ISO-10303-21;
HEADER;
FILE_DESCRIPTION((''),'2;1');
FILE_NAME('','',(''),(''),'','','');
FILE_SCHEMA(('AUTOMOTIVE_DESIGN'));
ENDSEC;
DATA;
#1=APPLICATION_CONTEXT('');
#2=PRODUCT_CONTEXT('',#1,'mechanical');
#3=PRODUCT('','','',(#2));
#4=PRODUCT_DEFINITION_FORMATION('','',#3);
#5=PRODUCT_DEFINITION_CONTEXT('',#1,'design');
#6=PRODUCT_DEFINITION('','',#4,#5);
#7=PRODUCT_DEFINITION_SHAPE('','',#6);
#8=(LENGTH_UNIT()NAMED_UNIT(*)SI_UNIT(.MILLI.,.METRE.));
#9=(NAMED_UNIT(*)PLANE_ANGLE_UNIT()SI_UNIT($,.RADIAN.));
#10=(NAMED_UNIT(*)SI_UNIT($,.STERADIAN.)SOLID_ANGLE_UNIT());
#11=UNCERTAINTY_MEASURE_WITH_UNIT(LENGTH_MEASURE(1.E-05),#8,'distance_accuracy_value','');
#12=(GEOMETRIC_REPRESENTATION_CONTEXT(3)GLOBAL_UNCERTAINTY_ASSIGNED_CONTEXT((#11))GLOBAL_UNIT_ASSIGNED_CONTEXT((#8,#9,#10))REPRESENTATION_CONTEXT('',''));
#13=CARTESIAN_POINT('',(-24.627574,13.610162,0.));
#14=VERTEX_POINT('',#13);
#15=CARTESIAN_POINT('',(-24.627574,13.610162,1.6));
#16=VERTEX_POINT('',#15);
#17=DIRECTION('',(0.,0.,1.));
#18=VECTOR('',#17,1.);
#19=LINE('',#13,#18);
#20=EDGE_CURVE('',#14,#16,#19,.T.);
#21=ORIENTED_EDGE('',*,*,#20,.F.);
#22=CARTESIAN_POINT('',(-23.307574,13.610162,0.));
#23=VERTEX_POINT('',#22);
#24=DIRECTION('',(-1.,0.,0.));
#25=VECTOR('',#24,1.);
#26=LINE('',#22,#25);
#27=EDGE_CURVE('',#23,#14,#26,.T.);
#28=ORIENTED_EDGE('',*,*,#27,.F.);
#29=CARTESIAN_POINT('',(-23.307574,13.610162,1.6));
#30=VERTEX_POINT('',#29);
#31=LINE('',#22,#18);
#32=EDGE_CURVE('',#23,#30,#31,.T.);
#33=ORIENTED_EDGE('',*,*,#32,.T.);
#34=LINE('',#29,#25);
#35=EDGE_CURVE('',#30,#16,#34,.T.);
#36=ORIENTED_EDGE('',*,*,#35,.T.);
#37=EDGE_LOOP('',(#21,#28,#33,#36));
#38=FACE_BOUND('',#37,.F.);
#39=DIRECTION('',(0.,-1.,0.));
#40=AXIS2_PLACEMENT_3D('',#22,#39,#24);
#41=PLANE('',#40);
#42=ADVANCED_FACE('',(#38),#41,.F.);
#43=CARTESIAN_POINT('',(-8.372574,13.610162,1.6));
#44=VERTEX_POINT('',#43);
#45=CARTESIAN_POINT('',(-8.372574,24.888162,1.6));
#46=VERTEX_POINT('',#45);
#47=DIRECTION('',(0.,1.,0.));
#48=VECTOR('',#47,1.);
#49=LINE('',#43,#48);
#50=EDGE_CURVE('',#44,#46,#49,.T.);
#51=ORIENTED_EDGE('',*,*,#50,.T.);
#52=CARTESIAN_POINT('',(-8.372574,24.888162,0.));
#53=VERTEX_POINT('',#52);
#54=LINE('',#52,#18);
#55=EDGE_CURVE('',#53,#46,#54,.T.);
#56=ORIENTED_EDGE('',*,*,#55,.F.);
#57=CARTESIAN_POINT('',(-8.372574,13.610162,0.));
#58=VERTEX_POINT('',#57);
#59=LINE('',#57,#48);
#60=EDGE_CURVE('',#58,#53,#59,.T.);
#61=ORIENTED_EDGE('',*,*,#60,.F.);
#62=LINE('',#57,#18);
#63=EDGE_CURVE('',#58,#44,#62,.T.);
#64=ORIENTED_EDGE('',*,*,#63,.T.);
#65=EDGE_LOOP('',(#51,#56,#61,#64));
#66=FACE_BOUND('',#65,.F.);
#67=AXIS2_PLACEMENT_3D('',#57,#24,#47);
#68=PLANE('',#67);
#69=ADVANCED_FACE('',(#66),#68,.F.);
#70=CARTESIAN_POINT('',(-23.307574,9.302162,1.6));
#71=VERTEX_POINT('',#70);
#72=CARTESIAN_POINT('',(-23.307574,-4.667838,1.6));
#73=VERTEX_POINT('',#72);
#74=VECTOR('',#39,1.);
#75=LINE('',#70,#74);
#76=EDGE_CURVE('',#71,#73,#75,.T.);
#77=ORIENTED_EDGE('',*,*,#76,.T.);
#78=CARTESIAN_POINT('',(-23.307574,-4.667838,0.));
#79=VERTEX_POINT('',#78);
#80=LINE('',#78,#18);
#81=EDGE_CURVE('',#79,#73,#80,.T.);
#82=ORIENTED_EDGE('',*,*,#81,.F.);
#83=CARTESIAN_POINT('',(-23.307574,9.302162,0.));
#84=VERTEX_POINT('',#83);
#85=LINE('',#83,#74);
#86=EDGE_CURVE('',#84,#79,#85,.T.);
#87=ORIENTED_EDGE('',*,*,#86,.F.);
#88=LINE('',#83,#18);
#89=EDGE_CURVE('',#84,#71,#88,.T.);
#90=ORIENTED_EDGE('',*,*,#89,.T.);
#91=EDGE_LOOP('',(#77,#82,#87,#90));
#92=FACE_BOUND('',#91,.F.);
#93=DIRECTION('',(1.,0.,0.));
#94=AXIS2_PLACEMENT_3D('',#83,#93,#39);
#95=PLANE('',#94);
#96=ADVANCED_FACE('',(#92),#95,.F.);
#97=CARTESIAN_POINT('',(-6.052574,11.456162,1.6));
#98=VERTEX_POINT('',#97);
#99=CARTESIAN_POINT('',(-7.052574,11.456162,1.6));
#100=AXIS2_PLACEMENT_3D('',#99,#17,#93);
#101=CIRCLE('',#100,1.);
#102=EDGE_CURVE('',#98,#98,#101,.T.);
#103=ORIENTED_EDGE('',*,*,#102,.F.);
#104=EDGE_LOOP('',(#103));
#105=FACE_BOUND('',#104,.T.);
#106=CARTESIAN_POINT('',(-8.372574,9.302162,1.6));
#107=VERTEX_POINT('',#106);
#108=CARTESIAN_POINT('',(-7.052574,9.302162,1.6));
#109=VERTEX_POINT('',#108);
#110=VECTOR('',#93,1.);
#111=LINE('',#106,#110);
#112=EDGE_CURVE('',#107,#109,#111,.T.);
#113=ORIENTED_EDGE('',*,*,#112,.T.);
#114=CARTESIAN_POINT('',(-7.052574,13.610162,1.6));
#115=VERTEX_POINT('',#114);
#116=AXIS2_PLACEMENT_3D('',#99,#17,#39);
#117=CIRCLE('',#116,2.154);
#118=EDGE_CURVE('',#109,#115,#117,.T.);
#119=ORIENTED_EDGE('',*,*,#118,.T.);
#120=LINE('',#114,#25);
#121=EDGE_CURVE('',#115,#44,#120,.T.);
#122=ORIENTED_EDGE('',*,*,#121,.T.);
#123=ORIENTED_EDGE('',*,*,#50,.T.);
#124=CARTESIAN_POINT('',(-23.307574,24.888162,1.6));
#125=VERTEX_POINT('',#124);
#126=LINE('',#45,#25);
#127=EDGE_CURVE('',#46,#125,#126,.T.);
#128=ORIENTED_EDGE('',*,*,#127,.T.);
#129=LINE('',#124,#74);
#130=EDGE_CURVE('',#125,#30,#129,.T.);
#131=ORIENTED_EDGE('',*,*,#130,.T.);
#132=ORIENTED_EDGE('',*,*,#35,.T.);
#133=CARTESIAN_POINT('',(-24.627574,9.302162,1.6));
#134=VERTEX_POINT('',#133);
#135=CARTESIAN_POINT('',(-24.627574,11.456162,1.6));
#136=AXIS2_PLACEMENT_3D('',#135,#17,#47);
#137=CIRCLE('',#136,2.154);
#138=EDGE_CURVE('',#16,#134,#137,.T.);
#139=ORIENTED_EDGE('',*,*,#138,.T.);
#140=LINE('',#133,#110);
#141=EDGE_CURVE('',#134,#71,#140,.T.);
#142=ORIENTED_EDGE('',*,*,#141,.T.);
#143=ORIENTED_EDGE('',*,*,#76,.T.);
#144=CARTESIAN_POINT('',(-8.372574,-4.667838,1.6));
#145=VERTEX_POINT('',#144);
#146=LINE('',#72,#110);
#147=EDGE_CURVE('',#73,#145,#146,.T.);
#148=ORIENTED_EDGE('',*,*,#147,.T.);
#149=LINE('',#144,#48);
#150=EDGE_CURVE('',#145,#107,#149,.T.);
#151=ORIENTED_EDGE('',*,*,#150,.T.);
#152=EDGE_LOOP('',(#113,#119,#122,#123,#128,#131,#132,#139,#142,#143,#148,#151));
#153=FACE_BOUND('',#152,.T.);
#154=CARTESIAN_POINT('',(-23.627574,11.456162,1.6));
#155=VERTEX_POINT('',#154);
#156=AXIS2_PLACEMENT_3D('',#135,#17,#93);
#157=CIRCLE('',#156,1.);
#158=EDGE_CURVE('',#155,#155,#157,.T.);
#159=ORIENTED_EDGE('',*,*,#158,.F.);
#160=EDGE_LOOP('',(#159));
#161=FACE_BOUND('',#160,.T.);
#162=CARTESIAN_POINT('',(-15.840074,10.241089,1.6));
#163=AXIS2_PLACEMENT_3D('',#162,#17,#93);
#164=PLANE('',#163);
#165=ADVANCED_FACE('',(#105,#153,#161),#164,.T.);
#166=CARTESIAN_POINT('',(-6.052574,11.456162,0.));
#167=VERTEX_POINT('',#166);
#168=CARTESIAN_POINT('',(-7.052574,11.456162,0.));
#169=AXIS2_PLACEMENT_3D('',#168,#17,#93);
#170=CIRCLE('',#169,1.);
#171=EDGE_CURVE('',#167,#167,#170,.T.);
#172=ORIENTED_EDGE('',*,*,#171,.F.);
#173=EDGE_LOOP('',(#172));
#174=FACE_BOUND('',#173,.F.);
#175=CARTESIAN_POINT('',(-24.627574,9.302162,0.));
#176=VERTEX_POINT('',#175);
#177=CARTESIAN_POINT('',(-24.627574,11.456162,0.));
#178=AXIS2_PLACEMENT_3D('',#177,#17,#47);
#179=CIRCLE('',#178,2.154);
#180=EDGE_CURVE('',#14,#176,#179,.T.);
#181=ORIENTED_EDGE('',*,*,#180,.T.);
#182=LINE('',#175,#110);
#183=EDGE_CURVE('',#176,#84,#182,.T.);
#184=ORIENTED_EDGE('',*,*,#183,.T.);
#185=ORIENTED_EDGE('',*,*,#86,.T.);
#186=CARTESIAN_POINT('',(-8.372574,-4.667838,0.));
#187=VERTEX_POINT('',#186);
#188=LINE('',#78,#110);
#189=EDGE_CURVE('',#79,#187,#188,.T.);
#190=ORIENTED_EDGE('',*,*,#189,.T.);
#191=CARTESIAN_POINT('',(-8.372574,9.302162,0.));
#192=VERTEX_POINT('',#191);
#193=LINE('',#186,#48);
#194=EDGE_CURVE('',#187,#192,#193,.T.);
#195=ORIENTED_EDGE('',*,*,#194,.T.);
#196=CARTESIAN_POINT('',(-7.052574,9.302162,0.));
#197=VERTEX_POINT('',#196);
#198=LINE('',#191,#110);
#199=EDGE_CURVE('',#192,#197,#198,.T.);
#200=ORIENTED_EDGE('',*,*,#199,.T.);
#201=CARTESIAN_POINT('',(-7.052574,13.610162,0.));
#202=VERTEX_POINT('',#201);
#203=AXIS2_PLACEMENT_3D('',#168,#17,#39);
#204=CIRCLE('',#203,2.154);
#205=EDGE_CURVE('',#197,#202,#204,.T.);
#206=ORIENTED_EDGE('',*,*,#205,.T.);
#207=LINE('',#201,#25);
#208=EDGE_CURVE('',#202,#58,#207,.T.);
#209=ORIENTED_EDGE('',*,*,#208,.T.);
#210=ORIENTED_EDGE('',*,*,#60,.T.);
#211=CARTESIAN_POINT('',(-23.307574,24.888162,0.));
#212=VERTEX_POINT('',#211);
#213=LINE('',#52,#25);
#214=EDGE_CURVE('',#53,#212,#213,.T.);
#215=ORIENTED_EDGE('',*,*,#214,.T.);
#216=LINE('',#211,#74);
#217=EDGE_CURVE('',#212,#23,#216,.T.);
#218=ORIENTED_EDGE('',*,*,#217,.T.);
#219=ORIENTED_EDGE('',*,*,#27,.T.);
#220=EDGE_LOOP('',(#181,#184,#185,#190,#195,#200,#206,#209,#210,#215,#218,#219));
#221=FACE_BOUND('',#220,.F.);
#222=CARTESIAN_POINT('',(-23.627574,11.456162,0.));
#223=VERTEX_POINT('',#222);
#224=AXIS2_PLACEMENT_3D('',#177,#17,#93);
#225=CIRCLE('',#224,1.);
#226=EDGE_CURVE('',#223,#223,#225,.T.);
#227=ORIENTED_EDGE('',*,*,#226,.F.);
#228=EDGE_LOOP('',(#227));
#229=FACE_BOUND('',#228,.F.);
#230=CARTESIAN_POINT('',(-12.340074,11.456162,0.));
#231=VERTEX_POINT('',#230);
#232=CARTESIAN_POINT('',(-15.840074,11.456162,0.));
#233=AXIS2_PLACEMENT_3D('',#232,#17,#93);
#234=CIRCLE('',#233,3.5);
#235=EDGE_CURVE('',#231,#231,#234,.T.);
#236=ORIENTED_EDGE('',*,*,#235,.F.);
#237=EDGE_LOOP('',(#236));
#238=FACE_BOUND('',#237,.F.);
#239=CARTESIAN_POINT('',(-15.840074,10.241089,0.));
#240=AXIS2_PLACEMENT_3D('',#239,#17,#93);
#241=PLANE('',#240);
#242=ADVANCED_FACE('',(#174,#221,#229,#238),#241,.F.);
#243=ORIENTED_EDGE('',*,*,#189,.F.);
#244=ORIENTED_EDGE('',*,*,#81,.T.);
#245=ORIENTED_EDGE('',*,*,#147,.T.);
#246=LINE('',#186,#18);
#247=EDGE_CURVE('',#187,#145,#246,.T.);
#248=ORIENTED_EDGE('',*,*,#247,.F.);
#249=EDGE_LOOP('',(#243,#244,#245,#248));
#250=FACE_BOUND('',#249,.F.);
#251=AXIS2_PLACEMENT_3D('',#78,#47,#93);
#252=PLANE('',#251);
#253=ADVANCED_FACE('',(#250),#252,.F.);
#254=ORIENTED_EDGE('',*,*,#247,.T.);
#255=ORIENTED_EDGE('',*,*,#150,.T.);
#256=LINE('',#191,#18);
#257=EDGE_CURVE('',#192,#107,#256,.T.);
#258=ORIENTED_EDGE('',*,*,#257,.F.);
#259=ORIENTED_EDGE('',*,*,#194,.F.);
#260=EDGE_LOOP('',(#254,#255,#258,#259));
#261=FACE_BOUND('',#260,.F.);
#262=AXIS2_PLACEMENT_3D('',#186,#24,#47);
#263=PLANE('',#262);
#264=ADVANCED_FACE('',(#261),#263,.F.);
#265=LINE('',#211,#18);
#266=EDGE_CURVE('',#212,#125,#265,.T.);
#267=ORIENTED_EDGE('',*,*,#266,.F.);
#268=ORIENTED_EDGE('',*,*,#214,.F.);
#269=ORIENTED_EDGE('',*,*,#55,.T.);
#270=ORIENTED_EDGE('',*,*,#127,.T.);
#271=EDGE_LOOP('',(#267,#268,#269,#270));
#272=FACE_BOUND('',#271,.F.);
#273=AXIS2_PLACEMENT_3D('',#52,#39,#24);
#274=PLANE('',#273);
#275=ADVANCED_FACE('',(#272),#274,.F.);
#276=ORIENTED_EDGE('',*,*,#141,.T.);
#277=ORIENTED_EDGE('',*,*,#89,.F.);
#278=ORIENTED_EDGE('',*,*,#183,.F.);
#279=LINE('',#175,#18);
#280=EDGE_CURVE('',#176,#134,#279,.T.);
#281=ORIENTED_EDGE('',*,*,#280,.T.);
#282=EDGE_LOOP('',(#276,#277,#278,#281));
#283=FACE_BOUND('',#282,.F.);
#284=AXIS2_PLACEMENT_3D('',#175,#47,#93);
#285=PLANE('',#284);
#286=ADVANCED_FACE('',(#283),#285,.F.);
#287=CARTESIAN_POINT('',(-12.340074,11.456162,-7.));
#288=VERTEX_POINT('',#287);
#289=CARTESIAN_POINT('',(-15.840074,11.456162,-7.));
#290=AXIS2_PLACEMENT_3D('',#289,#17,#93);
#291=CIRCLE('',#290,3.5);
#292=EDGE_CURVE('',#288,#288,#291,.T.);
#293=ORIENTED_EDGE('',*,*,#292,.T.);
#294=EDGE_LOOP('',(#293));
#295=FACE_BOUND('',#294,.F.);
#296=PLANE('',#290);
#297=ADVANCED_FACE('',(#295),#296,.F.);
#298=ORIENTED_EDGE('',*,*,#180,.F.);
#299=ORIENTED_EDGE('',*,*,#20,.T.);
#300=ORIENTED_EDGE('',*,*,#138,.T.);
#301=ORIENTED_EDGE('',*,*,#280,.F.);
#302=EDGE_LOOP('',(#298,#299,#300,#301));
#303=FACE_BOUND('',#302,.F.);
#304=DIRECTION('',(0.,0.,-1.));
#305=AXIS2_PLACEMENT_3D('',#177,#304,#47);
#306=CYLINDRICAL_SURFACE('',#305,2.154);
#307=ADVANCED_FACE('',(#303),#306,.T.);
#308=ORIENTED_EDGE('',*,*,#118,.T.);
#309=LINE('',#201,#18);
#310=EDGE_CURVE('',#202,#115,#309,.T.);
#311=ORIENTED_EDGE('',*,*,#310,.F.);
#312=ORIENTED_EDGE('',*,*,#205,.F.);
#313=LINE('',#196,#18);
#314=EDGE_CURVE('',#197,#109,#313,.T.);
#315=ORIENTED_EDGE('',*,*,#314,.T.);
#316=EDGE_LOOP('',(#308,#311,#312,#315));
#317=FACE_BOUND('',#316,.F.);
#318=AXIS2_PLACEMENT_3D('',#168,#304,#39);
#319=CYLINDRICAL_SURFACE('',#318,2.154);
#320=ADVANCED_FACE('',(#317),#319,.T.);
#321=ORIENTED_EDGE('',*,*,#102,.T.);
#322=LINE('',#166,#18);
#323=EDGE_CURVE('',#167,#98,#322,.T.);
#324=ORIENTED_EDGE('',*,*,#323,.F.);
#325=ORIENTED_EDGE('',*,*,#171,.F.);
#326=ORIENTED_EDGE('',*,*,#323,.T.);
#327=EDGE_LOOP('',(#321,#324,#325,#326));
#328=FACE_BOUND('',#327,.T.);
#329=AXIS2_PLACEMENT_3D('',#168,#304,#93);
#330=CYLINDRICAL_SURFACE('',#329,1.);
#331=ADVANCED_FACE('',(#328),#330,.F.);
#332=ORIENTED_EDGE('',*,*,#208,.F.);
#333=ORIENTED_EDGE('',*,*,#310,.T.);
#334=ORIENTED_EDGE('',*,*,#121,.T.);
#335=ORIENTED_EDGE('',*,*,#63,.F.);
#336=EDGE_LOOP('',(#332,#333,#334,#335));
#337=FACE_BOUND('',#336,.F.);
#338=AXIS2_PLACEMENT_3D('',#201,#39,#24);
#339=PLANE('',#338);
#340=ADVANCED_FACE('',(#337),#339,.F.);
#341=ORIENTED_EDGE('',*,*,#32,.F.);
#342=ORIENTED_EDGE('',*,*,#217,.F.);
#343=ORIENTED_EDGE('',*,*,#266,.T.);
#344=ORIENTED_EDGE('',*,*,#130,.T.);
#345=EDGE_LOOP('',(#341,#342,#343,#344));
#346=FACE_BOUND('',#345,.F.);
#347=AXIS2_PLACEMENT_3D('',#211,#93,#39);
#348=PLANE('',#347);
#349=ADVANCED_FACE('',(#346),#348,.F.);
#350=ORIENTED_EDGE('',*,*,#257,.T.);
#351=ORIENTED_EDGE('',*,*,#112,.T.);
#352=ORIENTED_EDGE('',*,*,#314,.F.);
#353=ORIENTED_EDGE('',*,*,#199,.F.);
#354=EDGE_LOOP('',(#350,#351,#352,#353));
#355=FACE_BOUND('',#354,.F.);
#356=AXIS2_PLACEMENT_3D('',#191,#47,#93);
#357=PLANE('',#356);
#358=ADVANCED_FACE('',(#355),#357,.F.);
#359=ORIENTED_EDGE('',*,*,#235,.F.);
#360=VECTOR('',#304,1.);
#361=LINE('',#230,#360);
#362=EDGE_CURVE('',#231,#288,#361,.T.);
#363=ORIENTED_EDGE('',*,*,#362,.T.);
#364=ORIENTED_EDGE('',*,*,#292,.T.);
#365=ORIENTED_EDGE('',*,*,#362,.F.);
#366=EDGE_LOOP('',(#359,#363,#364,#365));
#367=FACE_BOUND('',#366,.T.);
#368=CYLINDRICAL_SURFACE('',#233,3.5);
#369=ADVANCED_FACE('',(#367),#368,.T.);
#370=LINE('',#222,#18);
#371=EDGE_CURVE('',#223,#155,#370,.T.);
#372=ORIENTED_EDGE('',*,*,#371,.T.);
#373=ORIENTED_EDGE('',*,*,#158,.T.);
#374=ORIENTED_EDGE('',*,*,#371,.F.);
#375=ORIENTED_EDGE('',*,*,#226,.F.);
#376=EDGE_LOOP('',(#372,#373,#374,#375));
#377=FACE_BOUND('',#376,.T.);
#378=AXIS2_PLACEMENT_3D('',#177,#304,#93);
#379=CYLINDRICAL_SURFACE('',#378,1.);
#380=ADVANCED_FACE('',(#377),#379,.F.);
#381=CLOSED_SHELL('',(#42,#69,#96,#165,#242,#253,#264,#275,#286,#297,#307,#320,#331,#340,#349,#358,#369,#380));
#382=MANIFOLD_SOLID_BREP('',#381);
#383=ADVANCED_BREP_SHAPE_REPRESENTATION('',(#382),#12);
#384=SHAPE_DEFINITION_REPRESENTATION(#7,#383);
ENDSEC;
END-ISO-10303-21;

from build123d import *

# Parameters (mm, degrees)
F0_R     = 1
F0_R_2   = 3.5
F1_DEPTH = 1.6
F2_DEPTH = 7


with BuildPart() as f1:
    # F0 (on Top) → F1 (new body)
    with BuildSketch(Plane.XY):
        with BuildLine():
            Line((-8.372574, 24.888162), (-23.307574, 24.888162))
            Line((-23.307574, 24.888162), (-23.307574, 13.610162))
            Line((-23.307574, 13.610162), (-24.627574, 13.610162))
            ThreePointArc((-24.627574, 13.610162), (-26.781574, 11.456162), (-24.627574, 9.302162))
            Line((-24.627574, 9.302162), (-23.307574, 9.302162))
            Line((-23.307574, 9.302162), (-23.307574, -4.667838))
            Line((-23.307574, -4.667838), (-8.372574, -4.667838))
            Line((-8.372574, -4.667838), (-8.372574, 9.302162))
            Line((-8.372574, 9.302162), (-7.052574, 9.302162))
            ThreePointArc((-7.052574, 9.302162), (-4.898574, 11.456162), (-7.052574, 13.610162))
            Line((-7.052574, 13.610162), (-8.372574, 13.610162))
            Line((-8.372574, 13.610162), (-8.372574, 24.888162))
        make_face()
        with Locations((-24.627574, 11.456162)):
            Circle(F0_R, mode=Mode.SUBTRACT)
        with Locations((-15.840074, 11.456162)):
            Circle(F0_R_2, mode=Mode.SUBTRACT)
        with Locations((-7.052574, 11.456162)):
            Circle(F0_R, mode=Mode.SUBTRACT)
        with Locations((-15.840074, 11.456162)):
            Circle(F0_R_2)
    extrude(amount=F1_DEPTH)

    # F0 (on Top) → F2 (join)
    with BuildSketch(Plane.XY):
        with Locations((-15.840074, 11.456162)):
            Circle(F0_R_2)
    extrude(amount=-F2_DEPTH)


solid = f1.part
